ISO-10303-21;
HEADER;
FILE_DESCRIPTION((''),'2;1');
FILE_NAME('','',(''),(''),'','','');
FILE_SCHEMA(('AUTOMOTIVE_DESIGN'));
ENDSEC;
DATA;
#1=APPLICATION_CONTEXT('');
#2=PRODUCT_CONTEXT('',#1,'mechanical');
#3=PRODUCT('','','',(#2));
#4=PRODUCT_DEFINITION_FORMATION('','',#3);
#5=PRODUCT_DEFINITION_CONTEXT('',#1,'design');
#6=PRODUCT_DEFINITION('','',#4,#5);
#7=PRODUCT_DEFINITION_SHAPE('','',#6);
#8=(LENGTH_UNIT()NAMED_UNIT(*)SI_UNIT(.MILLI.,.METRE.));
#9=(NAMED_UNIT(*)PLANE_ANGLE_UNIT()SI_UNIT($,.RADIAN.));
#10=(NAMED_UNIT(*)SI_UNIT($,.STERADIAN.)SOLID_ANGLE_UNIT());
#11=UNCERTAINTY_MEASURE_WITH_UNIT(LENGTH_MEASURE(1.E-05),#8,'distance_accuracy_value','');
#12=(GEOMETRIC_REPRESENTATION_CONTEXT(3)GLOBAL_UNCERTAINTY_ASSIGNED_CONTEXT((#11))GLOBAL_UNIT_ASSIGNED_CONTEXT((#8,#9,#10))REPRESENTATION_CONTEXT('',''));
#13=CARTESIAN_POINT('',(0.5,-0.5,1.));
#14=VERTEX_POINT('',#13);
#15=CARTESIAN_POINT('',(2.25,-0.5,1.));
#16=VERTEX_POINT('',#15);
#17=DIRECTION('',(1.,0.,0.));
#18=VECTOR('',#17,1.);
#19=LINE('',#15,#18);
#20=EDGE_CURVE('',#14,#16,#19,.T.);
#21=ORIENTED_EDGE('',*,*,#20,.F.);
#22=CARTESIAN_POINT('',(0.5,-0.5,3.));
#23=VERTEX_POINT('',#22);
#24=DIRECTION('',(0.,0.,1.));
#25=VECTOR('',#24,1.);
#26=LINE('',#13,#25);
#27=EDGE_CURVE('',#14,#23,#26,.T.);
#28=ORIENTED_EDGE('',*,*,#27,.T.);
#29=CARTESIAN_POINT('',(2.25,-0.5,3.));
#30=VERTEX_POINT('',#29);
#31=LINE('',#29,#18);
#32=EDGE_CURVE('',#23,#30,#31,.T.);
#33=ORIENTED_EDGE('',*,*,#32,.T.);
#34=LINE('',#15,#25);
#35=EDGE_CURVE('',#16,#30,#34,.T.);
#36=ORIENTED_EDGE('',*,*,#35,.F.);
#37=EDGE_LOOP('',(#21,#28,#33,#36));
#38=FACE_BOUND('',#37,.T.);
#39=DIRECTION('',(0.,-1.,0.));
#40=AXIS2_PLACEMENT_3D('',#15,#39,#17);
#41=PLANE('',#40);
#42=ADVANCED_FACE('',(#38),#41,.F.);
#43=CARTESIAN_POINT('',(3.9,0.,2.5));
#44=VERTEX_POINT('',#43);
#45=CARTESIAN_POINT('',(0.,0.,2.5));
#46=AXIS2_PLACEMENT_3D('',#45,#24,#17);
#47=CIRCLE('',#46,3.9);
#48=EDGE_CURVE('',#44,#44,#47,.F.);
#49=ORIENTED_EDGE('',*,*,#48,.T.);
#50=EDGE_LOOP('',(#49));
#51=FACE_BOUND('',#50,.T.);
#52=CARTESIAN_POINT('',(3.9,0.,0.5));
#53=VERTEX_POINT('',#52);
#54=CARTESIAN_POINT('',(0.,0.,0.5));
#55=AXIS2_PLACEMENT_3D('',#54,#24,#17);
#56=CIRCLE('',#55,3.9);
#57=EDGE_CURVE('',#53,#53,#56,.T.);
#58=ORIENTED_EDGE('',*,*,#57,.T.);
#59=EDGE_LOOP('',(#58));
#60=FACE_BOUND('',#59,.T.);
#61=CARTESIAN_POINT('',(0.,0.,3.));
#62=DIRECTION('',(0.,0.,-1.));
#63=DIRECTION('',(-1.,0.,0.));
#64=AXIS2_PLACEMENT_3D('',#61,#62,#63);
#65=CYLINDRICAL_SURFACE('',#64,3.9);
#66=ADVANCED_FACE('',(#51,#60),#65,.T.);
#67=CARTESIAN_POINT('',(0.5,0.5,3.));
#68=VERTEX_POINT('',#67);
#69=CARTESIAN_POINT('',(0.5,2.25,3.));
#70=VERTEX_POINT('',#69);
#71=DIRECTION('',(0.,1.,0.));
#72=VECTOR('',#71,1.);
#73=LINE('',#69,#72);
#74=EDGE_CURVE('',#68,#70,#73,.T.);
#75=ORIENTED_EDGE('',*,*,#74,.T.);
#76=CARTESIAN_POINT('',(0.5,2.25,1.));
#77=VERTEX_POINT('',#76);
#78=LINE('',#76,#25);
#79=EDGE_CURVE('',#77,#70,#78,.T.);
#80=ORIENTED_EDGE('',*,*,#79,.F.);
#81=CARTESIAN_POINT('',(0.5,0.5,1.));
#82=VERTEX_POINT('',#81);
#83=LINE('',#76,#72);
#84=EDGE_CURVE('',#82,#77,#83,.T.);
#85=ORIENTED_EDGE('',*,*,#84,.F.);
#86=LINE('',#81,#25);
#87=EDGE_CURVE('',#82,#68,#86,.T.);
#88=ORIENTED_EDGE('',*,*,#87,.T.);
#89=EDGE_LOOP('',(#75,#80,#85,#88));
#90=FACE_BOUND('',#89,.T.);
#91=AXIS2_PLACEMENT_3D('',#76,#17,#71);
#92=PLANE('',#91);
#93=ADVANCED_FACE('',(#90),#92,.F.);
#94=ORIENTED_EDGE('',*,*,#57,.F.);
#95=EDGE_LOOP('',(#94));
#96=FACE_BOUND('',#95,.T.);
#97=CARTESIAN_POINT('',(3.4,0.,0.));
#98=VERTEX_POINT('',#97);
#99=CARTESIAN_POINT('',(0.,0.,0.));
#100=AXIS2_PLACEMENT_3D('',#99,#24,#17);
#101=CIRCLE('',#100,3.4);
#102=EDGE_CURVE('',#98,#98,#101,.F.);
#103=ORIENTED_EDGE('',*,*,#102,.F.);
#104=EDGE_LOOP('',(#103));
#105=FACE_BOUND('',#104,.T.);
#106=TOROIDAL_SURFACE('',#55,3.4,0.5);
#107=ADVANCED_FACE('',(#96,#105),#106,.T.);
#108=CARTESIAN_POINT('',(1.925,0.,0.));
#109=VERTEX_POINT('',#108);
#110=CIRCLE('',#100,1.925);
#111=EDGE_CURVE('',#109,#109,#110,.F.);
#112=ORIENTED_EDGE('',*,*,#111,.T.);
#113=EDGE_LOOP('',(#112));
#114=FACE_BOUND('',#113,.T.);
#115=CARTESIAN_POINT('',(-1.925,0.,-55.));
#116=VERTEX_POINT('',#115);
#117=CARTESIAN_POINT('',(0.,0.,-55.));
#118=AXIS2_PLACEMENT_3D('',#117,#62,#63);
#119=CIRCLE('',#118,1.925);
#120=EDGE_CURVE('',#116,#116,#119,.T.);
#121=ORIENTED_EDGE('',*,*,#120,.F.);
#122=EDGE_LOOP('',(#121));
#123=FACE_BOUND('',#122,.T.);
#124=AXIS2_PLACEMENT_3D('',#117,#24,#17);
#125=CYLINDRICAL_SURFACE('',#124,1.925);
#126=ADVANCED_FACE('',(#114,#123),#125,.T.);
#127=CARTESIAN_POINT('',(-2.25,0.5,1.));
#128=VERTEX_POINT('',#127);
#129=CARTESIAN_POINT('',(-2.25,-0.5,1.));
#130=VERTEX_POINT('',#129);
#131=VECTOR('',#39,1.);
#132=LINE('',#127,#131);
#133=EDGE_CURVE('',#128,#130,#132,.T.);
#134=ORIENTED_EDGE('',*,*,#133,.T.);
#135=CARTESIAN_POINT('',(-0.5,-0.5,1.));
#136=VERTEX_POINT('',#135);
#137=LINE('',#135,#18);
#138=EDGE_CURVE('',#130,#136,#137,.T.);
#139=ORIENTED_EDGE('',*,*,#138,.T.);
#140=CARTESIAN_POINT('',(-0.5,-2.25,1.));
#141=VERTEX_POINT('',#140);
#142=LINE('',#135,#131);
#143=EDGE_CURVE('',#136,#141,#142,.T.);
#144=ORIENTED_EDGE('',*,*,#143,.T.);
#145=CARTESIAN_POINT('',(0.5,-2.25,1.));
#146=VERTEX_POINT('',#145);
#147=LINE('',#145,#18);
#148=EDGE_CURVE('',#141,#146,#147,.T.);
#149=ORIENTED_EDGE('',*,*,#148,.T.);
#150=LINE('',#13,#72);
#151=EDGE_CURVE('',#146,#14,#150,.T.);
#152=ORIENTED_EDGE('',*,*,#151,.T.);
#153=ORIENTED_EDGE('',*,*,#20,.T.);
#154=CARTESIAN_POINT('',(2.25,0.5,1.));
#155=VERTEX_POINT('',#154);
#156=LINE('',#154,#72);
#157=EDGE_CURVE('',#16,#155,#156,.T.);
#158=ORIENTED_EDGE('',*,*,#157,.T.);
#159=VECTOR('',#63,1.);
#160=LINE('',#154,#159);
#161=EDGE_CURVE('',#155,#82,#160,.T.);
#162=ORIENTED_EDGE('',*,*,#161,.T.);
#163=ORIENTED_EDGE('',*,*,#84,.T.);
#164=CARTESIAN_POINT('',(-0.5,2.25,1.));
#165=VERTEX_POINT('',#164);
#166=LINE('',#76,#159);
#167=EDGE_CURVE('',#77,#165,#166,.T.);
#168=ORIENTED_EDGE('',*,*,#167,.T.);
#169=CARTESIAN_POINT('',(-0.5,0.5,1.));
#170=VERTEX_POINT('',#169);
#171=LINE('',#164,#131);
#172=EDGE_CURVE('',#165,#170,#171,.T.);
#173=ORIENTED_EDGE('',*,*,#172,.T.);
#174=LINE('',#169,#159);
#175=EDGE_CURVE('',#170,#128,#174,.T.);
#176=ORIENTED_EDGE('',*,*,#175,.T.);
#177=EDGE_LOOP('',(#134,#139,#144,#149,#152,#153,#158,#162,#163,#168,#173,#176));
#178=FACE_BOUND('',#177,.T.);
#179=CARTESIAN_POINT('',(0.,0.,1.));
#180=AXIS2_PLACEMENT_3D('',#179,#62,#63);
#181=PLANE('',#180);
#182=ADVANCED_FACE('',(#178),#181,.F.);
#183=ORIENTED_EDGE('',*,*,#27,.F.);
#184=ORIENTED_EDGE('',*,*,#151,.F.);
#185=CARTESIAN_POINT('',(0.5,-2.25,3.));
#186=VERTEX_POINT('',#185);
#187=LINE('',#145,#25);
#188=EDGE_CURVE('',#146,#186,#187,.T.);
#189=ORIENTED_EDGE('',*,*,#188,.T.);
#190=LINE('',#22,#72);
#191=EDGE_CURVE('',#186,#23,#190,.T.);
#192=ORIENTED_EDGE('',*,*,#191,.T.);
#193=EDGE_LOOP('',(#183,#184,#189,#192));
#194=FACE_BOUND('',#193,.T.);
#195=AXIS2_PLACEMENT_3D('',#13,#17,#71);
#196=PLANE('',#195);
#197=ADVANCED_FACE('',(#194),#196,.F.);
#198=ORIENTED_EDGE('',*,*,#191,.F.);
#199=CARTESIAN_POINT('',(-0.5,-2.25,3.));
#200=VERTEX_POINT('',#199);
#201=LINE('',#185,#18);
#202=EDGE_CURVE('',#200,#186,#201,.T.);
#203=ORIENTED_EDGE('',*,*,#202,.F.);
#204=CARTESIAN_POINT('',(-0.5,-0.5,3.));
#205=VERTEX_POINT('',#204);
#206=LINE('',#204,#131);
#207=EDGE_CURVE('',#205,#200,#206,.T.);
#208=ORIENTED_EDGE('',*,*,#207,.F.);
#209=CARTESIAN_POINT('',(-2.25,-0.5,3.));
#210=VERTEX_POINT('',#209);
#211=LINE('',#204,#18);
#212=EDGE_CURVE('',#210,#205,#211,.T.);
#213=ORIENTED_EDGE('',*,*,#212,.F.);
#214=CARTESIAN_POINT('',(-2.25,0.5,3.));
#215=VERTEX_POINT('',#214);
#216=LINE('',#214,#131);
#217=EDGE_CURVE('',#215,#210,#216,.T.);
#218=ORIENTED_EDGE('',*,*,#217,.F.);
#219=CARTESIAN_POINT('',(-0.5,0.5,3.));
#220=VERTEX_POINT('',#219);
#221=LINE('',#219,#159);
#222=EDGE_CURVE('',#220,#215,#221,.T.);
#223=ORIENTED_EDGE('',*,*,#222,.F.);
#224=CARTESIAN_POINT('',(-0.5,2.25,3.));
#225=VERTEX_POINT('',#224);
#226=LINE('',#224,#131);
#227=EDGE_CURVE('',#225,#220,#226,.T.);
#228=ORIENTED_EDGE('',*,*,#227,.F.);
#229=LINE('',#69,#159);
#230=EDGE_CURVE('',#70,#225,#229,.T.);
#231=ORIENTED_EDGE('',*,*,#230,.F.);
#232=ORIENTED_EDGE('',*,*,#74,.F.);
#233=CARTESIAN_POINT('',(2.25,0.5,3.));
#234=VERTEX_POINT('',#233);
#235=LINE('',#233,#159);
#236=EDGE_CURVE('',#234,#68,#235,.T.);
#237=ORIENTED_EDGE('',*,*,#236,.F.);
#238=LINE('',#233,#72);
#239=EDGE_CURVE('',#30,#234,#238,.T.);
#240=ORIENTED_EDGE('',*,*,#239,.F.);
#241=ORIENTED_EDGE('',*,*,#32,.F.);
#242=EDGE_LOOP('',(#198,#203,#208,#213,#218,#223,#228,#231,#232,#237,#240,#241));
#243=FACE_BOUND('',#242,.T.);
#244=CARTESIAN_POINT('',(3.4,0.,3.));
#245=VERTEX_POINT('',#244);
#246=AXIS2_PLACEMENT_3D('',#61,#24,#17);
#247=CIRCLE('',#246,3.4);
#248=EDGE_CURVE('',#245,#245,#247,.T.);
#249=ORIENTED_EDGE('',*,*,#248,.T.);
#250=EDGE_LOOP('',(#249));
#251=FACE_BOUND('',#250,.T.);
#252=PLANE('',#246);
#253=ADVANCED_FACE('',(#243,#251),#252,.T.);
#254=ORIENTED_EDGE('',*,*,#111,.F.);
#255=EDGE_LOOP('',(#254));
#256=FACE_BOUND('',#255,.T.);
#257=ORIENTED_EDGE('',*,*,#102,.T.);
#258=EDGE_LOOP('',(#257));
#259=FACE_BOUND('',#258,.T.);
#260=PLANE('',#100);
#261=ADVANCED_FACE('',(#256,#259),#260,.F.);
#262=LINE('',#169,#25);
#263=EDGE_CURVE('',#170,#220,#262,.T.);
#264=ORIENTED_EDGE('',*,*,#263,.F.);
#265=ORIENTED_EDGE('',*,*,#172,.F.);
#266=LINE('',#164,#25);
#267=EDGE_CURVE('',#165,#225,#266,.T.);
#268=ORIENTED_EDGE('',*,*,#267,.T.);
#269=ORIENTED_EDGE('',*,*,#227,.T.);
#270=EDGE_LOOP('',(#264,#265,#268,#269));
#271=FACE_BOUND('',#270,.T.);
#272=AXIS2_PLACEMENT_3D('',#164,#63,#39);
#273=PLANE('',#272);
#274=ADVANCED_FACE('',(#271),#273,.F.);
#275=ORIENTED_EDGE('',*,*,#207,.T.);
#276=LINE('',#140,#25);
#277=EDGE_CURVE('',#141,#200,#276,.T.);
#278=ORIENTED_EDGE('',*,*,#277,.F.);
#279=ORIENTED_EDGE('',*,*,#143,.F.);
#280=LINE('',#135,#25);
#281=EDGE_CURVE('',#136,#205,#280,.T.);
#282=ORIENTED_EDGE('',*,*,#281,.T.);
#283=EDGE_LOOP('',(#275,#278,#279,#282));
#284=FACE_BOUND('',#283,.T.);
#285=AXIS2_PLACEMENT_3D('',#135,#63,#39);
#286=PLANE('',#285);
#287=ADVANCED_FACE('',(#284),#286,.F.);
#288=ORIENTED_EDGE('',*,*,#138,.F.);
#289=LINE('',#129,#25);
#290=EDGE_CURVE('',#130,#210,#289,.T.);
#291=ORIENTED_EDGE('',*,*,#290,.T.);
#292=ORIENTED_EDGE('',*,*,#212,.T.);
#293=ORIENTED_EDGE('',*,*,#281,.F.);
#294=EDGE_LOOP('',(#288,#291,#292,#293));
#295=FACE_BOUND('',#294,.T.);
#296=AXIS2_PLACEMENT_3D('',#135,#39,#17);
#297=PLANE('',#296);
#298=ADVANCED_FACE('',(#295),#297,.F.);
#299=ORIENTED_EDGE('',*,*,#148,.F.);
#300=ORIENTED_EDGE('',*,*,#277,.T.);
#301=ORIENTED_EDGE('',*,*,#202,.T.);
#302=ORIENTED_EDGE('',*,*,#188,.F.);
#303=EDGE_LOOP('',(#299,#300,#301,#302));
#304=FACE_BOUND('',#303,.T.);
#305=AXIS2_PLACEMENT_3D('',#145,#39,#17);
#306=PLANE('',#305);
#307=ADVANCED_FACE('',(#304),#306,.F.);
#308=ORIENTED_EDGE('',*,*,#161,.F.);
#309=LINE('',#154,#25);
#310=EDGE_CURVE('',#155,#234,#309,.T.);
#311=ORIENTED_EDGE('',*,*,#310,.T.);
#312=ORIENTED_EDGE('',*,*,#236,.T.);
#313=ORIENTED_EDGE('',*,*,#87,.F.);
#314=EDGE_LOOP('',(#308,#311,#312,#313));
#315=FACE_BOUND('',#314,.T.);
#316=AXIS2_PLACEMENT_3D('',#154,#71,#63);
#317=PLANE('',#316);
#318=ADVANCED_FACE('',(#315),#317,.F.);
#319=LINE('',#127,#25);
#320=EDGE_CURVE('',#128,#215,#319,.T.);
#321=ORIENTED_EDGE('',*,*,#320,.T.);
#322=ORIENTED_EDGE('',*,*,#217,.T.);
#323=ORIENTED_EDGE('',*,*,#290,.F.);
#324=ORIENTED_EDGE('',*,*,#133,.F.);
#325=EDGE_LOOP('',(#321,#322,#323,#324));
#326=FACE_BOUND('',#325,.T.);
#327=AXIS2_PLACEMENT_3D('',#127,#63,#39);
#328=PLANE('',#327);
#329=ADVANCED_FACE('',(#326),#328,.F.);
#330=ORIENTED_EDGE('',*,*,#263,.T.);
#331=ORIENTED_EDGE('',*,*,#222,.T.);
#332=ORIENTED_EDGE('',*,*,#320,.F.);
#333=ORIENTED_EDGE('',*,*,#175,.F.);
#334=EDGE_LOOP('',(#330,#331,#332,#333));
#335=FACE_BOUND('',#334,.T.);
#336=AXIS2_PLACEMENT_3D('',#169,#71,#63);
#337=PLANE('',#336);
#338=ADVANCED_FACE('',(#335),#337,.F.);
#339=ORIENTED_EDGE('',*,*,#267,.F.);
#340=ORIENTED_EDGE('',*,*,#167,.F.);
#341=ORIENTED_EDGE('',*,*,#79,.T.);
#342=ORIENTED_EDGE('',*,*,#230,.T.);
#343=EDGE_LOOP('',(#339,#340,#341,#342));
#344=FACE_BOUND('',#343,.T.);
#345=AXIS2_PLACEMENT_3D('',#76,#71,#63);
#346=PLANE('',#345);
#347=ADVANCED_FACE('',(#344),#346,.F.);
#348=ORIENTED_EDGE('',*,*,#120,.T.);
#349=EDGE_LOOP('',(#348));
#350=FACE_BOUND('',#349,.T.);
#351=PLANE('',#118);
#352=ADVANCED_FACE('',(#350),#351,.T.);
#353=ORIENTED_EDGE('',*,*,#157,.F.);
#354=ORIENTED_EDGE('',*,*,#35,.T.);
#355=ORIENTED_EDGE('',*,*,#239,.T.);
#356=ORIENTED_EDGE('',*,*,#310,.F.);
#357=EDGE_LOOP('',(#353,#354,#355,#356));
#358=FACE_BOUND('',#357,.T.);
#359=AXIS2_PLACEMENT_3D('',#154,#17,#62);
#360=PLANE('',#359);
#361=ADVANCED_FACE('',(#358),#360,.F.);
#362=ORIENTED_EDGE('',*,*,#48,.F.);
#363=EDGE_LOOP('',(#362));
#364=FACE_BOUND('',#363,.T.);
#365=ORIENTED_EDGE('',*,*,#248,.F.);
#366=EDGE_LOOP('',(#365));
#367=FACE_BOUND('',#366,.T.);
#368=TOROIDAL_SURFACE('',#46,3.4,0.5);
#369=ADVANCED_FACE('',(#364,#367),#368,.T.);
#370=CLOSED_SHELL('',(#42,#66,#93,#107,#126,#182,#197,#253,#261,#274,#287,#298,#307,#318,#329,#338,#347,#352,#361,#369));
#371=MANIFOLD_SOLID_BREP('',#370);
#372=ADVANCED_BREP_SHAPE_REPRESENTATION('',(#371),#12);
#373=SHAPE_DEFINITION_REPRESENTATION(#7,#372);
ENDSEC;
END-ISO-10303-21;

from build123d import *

# Parameters (mm, degrees)
ESBO_O5_R                = 3.9
RESSALTO_EXTRUS_O2_DEPTH = 3
CORTE_EXTRUS_O3_DEPTH    = 2
FILETE1_R                = 0.5
ESBO_O8_R                = 1.925
RESSALTO_EXTRUS_O3_DEPTH = 55


with BuildPart() as part:
    # Esboço5 → Ressalto-extrusão2 (new body)
    with BuildSketch(Plane.XY):
        Circle(ESBO_O5_R)
    extrude(amount=RESSALTO_EXTRUS_O2_DEPTH)

    # Esboço7 → Corte-extrusão3 (cut)
    with BuildSketch(Plane.XY.offset(3)):
        Polygon((-0.5, -0.5), (-2.25, -0.5), (-2.25, 0.5), (-0.5, 0.5), (-0.5, 2.25), (0.5, 2.25), (0.5, 0.5), (2.25, 0.5), (2.25, -0.5), (0.5, -0.5), (0.5, -2.25), (-0.5, -2.25), align=None)
    extrude(amount=-CORTE_EXTRUS_O3_DEPTH, mode=Mode.SUBTRACT)

    # Filete1
    filete1_edges = [part.edges().sort_by_distance(p)[0] for p in [
        (-3.9, 0, 0),
        (-3.9, 0, 3),
    ]]
    fillet(filete1_edges, radius=FILETE1_R)

    # Esboço8 → Ressalto-extrusão3 (add)
    with BuildSketch(Plane(origin=(0, 0, 0), x_dir=(-1, 0, 0), z_dir=(0, 0, -1))):
        with Locations(Location((0, 0, 0), (0, 0, 180))):
            Circle(ESBO_O8_R)
    extrude(amount=RESSALTO_EXTRUS_O3_DEPTH)


solid = part.part
